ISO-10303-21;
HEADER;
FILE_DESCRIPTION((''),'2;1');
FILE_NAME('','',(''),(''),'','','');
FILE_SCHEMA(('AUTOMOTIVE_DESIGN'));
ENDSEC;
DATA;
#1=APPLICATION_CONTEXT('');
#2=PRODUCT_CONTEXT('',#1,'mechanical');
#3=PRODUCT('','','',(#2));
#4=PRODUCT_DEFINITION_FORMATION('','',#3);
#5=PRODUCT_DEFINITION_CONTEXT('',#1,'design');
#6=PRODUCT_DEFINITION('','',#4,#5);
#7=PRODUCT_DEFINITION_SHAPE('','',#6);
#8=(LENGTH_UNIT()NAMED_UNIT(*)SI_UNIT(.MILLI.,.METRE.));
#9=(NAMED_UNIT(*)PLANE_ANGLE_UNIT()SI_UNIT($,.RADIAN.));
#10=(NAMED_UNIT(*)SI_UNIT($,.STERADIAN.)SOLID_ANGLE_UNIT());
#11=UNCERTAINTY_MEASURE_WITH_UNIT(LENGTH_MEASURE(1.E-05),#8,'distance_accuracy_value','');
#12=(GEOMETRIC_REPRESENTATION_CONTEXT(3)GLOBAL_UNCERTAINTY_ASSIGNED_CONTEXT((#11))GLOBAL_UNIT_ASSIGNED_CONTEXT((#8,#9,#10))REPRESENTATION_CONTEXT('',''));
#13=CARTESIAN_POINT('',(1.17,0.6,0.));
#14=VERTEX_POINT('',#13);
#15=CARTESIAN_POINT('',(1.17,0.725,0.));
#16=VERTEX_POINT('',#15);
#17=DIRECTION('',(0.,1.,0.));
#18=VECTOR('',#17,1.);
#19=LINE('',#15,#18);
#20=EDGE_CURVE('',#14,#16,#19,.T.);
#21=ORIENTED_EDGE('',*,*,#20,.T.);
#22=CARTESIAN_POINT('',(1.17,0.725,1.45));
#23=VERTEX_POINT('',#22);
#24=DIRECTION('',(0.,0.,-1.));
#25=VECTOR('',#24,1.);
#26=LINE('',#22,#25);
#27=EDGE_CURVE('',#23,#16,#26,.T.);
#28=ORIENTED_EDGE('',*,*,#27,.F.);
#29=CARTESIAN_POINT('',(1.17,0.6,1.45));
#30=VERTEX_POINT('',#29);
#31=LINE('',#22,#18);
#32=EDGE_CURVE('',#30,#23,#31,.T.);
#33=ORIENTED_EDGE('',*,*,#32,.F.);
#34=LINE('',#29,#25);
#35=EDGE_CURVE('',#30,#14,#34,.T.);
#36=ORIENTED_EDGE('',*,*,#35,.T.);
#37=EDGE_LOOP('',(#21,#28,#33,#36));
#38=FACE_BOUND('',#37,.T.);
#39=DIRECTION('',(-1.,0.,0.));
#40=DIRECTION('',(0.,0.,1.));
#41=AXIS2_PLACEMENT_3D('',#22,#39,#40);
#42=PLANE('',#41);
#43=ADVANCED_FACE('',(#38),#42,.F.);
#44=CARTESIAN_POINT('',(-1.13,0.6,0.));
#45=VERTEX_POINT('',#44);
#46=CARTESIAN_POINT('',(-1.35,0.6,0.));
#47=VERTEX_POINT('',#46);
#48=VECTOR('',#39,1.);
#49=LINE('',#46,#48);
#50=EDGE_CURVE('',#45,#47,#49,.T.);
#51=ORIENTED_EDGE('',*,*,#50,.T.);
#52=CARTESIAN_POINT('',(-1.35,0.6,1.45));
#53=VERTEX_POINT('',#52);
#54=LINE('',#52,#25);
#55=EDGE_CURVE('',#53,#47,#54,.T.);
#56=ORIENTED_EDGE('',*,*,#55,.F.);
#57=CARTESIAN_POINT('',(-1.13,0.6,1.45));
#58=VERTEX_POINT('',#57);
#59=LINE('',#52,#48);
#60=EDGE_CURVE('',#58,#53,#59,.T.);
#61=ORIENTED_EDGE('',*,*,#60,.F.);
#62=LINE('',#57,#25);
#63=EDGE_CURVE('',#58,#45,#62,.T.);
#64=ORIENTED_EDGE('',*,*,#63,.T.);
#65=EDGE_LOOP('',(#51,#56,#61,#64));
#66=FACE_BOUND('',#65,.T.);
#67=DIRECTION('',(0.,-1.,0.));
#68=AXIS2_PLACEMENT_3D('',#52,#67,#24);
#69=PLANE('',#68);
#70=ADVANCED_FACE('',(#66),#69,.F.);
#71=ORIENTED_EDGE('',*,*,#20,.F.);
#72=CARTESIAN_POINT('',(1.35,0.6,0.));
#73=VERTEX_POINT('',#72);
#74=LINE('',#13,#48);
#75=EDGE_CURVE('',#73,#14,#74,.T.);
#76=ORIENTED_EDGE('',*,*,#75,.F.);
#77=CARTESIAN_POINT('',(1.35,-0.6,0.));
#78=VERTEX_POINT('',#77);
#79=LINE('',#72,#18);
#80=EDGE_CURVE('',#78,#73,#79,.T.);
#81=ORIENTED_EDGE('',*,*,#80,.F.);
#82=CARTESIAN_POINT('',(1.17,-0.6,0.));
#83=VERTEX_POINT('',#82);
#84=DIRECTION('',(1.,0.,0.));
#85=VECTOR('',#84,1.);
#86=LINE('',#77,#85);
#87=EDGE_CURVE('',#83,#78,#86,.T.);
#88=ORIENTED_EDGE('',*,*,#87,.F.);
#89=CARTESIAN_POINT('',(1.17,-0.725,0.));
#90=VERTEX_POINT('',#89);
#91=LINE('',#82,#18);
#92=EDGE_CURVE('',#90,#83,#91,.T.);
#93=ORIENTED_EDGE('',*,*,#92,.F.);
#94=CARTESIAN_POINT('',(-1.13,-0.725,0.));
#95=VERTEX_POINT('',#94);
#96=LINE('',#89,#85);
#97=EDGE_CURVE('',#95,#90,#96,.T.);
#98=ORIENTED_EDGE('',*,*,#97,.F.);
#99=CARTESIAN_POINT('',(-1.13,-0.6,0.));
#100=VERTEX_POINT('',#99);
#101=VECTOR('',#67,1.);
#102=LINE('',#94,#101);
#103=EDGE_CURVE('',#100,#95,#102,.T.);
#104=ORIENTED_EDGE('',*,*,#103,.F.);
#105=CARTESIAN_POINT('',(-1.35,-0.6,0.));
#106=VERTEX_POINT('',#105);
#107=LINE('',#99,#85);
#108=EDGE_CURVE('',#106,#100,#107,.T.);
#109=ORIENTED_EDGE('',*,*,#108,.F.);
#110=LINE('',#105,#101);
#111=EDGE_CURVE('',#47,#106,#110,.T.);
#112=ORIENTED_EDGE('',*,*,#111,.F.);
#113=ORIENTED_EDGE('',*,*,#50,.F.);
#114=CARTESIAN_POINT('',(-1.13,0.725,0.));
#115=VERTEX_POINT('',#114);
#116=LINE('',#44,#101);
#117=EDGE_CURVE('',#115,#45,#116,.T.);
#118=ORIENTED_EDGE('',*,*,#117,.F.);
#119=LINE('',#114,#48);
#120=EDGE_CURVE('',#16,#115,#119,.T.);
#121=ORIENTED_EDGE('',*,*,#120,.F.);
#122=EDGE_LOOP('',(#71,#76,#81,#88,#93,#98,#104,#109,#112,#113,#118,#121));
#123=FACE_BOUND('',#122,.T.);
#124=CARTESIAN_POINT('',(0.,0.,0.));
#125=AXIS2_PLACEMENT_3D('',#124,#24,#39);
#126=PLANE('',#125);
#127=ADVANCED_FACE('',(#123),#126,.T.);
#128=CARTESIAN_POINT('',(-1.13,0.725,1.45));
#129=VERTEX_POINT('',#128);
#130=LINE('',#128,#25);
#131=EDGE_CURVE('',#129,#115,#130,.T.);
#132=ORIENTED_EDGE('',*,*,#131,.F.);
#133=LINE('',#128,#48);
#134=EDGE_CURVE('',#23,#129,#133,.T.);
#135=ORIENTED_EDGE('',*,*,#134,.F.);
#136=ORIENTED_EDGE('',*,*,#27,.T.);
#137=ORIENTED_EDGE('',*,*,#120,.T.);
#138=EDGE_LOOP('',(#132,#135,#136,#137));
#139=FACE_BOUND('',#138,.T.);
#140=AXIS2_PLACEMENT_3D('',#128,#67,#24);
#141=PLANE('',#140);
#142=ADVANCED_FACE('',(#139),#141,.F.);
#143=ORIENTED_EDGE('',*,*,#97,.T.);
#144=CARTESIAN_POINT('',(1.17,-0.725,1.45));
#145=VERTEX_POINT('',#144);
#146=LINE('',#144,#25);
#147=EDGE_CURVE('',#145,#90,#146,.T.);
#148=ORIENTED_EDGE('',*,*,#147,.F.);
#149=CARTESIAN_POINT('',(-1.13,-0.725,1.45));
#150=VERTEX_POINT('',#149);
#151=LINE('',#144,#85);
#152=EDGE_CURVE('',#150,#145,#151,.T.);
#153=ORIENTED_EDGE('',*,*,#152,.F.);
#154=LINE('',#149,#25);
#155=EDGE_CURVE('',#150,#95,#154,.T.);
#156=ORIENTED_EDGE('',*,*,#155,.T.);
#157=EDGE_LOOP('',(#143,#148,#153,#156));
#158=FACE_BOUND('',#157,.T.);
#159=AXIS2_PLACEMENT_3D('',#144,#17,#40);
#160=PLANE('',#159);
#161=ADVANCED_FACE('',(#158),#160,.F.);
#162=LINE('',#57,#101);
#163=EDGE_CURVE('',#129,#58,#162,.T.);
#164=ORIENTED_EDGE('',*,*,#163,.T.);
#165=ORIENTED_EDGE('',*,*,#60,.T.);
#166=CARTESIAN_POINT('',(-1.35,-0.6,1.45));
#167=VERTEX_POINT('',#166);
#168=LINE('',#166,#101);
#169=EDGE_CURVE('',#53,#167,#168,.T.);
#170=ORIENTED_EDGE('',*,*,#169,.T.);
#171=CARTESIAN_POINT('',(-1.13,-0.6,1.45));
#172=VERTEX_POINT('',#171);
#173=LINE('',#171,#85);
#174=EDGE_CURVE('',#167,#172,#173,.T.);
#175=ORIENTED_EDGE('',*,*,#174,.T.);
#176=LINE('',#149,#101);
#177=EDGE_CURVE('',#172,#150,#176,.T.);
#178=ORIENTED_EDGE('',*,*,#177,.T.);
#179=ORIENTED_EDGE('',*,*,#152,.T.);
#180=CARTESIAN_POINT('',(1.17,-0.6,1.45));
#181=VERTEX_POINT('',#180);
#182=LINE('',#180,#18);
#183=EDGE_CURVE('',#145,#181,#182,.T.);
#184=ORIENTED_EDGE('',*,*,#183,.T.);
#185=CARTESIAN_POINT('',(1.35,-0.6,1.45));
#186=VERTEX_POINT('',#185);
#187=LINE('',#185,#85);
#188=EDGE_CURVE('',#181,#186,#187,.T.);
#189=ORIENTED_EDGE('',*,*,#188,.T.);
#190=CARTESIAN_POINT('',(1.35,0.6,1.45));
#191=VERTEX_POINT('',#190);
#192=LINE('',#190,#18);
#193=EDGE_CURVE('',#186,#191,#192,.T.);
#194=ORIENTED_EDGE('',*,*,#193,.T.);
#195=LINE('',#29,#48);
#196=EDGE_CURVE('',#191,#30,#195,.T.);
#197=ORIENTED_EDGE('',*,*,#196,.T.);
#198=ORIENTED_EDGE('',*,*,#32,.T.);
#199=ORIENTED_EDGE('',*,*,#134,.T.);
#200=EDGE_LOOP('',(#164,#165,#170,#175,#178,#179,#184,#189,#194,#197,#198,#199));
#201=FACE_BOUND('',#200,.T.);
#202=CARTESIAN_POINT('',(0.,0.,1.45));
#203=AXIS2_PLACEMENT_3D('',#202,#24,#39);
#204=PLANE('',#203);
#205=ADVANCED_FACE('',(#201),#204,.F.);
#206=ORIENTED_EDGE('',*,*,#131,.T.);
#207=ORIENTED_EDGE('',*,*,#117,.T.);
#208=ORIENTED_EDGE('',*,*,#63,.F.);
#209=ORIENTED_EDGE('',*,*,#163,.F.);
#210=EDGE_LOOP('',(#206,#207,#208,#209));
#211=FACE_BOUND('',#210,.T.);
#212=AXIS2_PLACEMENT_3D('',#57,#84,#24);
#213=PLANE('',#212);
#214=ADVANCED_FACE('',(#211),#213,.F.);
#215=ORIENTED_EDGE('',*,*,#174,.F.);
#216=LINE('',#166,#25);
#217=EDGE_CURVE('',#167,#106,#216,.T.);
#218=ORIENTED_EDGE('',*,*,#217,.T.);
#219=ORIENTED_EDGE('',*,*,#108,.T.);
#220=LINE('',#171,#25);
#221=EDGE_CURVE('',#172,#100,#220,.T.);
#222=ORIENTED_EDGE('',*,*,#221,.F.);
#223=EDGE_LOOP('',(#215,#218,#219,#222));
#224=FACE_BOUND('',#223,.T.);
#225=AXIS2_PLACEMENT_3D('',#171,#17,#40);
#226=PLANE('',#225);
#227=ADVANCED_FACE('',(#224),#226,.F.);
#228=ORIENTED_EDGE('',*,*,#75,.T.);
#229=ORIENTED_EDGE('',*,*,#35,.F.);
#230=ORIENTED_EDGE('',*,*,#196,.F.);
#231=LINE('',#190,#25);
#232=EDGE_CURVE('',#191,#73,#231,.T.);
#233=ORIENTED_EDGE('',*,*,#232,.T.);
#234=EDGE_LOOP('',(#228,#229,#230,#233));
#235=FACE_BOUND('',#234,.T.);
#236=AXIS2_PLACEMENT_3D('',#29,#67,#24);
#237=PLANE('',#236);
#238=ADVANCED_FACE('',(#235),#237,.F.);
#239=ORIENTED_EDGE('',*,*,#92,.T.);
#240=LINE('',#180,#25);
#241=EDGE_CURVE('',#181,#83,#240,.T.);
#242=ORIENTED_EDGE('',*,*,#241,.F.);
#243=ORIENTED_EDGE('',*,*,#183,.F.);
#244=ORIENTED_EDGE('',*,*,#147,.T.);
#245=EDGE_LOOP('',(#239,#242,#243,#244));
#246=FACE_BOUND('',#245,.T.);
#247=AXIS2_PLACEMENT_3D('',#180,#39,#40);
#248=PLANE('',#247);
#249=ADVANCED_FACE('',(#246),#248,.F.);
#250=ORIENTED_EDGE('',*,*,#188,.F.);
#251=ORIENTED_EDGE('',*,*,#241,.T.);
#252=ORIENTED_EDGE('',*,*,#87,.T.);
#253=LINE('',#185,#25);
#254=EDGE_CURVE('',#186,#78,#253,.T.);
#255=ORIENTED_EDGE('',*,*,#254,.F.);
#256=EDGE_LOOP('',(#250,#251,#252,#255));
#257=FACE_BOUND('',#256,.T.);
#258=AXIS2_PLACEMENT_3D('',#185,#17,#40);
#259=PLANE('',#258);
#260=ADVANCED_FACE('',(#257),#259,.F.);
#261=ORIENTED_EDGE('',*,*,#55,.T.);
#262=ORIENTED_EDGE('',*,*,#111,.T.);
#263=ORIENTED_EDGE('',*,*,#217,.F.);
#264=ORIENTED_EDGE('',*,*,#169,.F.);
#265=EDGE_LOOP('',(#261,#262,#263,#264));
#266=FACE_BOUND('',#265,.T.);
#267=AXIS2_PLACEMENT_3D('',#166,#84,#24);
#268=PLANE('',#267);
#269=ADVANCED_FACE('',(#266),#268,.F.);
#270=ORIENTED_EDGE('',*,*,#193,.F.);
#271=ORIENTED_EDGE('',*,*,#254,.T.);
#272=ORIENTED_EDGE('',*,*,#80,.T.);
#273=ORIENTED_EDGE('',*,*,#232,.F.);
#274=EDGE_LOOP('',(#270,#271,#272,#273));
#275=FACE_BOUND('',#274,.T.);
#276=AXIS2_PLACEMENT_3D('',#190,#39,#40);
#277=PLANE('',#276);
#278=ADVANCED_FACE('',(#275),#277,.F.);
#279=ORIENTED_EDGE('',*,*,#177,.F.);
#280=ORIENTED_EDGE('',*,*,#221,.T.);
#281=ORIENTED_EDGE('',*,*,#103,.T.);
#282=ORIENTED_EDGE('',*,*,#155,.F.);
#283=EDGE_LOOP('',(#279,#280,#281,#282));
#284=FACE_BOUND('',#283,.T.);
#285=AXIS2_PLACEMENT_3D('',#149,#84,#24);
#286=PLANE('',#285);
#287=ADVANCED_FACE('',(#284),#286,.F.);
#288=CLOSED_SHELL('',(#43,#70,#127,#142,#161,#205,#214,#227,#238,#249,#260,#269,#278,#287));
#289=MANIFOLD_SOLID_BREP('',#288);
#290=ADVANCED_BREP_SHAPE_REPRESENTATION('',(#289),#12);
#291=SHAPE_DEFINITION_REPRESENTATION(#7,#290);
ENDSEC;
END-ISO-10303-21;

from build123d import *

# Parameters (mm, degrees)
COMPONENT_OUTLINE_DEPTH = 1.45


with BuildPart() as part:
    # 草图1 → Component_Outline (new body)
    with BuildSketch(Plane.XY):
        Polygon((1.35, -0.6), (1.17, -0.6), (1.17, -0.725), (-1.13, -0.725), (-1.13, -0.6), (-1.35, -0.6), (-1.35, 0.6), (-1.13, 0.6), (-1.13, 0.725), (1.17, 0.725), (1.17, 0.6), (1.35, 0.6), align=None)
    extrude(amount=COMPONENT_OUTLINE_DEPTH)


solid = part.part
